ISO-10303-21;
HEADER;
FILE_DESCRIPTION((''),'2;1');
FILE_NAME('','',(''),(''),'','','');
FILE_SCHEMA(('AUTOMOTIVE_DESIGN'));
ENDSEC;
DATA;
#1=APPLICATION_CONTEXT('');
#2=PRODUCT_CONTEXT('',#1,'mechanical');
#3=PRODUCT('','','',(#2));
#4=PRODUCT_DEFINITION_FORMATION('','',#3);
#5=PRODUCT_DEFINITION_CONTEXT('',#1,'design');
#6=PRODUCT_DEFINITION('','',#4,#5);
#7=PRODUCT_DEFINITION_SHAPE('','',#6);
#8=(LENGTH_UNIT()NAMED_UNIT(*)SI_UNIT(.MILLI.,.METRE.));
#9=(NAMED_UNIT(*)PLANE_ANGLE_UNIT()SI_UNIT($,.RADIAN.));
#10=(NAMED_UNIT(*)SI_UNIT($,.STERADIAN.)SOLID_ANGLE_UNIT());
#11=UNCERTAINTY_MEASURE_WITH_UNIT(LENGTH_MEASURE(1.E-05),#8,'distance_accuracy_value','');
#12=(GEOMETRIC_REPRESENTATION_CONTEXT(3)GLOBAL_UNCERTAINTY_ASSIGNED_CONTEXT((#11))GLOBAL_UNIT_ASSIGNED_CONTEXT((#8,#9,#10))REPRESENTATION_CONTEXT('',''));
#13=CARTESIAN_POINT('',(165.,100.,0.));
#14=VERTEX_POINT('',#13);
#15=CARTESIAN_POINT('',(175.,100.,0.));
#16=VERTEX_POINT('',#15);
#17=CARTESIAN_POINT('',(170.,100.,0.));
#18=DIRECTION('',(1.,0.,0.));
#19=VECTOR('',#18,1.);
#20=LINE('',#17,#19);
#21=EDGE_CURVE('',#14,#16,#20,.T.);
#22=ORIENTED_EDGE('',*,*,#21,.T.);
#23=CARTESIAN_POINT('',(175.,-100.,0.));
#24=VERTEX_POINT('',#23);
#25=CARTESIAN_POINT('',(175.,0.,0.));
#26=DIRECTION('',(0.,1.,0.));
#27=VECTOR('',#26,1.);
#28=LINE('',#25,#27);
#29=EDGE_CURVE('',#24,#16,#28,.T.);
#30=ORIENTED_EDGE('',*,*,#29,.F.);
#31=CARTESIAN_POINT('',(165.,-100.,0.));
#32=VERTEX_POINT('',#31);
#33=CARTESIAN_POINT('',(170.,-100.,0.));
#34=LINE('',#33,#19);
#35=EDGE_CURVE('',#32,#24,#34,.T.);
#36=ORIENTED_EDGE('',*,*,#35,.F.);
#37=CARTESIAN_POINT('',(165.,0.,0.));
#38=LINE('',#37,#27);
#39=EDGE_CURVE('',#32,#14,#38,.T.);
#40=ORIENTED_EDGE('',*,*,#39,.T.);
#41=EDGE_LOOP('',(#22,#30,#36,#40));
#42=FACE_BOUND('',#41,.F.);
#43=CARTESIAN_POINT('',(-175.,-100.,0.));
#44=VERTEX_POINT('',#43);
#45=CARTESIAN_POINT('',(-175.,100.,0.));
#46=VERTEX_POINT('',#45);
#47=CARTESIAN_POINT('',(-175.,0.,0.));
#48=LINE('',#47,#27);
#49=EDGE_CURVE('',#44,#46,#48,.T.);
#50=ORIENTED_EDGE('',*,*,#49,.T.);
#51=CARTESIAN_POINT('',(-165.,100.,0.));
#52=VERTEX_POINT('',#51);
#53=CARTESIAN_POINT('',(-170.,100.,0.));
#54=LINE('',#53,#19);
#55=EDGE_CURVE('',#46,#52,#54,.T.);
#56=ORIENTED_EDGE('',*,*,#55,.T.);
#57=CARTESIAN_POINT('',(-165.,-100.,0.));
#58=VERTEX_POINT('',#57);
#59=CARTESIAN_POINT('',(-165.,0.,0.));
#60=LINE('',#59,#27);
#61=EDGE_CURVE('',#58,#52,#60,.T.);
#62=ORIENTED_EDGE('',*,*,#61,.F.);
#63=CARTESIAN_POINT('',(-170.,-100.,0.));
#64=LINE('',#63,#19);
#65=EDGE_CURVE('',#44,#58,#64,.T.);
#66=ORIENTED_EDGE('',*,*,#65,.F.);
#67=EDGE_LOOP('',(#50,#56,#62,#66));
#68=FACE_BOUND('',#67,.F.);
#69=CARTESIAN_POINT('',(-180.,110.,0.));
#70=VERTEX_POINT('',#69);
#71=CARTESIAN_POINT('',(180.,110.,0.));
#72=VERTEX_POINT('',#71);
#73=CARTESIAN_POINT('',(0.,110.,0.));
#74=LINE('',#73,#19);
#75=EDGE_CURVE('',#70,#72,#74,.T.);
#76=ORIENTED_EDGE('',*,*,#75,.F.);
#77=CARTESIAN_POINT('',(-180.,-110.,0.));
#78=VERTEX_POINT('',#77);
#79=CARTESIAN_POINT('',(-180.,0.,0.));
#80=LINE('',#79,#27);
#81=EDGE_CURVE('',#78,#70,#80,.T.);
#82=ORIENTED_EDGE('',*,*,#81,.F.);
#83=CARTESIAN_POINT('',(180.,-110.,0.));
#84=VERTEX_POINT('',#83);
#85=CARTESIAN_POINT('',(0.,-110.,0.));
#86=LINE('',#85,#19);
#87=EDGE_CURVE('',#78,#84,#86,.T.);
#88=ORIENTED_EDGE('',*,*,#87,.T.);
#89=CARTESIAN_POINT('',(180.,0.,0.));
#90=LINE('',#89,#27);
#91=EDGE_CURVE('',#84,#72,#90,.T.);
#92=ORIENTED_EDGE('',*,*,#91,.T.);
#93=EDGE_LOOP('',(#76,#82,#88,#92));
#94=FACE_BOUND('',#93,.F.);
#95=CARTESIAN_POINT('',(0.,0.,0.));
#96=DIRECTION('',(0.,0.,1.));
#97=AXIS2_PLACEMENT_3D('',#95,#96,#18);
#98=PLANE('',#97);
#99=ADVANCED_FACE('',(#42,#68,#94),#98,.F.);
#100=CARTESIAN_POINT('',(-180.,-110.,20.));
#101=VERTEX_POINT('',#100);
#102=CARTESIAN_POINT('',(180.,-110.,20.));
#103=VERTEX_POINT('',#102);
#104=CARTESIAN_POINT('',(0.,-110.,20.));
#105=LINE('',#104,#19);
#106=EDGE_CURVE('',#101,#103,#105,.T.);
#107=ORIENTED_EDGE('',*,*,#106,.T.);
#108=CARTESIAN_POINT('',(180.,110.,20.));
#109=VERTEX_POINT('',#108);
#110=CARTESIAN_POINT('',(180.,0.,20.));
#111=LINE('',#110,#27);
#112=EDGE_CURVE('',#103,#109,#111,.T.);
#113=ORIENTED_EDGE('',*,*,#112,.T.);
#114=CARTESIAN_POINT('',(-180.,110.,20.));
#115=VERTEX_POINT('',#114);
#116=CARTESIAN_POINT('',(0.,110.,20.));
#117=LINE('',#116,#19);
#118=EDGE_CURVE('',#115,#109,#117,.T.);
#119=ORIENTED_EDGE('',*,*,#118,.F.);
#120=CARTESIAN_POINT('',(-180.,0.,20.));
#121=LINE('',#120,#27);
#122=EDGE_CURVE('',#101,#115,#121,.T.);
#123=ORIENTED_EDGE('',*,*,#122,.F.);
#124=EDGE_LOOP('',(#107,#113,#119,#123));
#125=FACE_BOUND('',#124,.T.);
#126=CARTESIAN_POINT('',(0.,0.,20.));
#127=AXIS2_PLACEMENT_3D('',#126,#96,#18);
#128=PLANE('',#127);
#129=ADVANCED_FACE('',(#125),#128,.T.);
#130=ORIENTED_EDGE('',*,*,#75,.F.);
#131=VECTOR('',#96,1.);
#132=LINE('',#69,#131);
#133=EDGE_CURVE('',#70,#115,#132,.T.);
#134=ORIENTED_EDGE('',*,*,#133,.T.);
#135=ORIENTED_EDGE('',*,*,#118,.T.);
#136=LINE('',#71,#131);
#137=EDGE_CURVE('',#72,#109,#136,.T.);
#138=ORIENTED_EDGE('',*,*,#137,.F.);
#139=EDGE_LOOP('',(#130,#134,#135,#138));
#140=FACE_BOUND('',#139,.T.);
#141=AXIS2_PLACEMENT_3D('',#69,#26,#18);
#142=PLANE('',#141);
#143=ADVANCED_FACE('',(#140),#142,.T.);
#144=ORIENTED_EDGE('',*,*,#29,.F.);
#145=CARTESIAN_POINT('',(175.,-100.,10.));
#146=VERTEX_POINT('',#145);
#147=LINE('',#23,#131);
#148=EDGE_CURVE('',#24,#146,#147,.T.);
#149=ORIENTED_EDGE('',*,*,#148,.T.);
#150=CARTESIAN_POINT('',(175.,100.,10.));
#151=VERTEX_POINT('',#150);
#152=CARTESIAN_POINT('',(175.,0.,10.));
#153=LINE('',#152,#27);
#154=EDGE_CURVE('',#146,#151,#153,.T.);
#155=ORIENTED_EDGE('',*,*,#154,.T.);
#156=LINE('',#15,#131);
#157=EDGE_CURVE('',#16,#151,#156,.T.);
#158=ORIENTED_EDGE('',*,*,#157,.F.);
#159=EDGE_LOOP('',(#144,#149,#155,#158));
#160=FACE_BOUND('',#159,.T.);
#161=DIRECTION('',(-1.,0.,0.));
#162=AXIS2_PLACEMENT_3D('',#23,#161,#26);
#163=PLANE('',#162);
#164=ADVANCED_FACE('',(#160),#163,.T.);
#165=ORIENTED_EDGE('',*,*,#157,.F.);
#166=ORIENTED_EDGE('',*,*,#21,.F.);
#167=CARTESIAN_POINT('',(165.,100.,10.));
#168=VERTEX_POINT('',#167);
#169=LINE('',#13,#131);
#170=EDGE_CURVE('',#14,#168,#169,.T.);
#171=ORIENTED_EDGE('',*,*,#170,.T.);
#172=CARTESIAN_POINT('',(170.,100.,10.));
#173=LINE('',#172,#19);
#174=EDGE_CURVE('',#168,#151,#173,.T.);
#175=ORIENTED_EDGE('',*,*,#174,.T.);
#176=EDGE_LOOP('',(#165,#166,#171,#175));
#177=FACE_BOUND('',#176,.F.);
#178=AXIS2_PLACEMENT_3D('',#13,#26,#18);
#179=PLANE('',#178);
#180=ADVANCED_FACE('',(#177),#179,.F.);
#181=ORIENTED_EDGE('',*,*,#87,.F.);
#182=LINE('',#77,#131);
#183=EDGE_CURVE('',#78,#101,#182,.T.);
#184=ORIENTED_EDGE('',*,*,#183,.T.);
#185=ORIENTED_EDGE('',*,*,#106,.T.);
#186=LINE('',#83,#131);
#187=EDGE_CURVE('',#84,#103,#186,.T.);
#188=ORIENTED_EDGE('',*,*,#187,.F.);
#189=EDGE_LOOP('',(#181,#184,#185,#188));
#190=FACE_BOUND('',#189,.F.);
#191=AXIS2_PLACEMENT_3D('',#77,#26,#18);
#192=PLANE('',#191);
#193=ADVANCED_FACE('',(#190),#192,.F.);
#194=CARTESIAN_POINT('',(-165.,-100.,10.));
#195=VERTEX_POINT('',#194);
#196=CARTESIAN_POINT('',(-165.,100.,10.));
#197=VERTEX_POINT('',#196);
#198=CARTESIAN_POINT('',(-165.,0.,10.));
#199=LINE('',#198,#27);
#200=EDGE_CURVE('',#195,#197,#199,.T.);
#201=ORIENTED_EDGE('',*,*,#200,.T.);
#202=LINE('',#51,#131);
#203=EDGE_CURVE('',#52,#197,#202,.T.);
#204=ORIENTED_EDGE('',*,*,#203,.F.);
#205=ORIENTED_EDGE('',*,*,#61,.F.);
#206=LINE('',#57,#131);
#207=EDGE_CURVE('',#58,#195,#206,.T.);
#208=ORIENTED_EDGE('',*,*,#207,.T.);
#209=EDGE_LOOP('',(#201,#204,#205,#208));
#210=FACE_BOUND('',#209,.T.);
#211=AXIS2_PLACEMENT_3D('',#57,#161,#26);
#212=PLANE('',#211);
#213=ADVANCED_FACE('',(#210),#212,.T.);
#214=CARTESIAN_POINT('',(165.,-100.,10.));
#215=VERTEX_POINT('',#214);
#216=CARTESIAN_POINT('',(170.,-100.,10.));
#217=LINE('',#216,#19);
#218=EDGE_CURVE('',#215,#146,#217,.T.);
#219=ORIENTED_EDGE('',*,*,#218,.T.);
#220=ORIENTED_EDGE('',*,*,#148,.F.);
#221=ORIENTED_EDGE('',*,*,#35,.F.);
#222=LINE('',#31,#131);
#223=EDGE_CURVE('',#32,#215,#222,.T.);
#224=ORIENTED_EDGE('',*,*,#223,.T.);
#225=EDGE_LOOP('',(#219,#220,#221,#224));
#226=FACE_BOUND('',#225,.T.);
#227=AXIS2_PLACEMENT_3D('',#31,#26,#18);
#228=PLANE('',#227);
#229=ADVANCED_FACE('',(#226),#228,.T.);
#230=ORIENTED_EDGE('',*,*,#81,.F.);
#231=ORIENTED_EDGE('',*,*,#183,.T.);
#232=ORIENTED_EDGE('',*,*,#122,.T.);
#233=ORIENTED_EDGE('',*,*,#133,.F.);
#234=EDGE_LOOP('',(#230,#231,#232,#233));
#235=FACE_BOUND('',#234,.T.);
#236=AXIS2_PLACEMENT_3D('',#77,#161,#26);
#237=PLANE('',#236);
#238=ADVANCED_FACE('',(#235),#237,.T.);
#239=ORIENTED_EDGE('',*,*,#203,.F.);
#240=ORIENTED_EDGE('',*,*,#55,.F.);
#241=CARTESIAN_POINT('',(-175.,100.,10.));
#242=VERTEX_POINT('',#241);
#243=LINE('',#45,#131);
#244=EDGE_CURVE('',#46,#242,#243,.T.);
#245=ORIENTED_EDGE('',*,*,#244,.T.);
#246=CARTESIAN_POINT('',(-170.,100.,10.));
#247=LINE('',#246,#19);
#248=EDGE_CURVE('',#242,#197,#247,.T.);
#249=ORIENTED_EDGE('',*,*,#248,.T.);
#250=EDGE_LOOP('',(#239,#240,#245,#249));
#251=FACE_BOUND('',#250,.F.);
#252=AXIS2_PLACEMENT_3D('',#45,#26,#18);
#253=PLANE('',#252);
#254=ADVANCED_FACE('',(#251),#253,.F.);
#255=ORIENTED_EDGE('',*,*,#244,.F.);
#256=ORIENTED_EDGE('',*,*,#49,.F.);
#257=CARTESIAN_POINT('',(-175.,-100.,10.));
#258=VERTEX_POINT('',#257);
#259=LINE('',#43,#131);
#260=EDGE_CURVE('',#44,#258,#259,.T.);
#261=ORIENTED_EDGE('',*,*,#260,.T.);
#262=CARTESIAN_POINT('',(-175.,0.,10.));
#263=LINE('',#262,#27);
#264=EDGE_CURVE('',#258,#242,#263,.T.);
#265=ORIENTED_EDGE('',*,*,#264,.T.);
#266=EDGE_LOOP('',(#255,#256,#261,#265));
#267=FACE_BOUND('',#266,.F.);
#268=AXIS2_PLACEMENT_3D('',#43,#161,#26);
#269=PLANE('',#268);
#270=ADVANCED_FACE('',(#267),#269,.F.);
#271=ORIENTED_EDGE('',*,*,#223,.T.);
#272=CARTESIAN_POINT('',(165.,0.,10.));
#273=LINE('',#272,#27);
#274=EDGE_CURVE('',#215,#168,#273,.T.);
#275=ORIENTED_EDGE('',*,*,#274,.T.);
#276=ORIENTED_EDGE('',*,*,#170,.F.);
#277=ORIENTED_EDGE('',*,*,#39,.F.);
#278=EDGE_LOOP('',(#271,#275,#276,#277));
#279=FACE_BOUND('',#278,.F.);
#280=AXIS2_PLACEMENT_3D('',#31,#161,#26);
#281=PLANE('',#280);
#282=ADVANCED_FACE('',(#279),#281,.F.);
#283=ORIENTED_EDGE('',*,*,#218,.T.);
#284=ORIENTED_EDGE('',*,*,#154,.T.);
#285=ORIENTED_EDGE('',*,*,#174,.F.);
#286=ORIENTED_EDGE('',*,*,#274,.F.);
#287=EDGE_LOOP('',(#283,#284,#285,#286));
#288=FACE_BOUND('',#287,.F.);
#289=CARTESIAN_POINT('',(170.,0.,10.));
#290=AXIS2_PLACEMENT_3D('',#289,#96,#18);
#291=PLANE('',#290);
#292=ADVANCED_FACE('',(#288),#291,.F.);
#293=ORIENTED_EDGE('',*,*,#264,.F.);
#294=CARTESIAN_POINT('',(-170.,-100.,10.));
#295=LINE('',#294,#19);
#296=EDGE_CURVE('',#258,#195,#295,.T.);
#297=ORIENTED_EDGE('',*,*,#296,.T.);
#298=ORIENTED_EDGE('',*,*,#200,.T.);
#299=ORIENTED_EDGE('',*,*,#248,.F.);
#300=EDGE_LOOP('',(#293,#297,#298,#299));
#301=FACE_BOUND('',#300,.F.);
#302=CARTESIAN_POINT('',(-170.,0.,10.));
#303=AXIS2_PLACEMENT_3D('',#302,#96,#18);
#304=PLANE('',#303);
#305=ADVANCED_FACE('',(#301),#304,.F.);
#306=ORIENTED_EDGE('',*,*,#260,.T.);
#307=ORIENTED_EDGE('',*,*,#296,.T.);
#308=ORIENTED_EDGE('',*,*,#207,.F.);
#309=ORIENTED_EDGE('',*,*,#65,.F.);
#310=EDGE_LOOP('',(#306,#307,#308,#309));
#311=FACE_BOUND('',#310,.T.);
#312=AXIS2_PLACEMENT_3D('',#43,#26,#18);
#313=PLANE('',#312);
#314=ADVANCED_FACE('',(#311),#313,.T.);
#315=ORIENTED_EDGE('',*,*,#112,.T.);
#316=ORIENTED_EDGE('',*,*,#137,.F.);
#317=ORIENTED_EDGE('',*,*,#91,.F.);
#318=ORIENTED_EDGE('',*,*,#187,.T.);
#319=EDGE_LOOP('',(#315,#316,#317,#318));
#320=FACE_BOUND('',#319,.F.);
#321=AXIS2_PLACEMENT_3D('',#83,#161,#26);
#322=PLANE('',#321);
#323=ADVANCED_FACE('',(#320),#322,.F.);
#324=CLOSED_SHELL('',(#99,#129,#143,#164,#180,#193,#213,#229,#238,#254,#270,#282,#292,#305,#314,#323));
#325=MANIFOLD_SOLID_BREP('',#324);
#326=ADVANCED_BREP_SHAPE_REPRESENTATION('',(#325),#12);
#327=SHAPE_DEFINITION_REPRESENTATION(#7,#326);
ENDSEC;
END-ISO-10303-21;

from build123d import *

# Parameters (mm, degrees)
F0_W     = 360
F0_H     = 220
F1_DEPTH = 20
F2_W     = 10
F2_H     = 200
F3_DEPTH = 10
F4_W     = 10
F4_H     = 200
F5_DEPTH = 10


with BuildPart() as f1:
    # F0 (on Top) → F1 (new body)
    with BuildSketch(Plane.XY):
        Rectangle(F0_W, F0_H)
    extrude(amount=F1_DEPTH)

    # F2 (on Top) → F3 (cut)
    with BuildSketch(Plane.XY):
        with Locations((-170, 0)):
            Rectangle(F2_W, F2_H)
    extrude(amount=F3_DEPTH, mode=Mode.SUBTRACT)

    # F4 (on Top) → F5 (cut)
    with BuildSketch(Plane.XY):
        with Locations((170, 0)):
            Rectangle(F4_W, F4_H)
    extrude(amount=F5_DEPTH, mode=Mode.SUBTRACT)


solid = f1.part
